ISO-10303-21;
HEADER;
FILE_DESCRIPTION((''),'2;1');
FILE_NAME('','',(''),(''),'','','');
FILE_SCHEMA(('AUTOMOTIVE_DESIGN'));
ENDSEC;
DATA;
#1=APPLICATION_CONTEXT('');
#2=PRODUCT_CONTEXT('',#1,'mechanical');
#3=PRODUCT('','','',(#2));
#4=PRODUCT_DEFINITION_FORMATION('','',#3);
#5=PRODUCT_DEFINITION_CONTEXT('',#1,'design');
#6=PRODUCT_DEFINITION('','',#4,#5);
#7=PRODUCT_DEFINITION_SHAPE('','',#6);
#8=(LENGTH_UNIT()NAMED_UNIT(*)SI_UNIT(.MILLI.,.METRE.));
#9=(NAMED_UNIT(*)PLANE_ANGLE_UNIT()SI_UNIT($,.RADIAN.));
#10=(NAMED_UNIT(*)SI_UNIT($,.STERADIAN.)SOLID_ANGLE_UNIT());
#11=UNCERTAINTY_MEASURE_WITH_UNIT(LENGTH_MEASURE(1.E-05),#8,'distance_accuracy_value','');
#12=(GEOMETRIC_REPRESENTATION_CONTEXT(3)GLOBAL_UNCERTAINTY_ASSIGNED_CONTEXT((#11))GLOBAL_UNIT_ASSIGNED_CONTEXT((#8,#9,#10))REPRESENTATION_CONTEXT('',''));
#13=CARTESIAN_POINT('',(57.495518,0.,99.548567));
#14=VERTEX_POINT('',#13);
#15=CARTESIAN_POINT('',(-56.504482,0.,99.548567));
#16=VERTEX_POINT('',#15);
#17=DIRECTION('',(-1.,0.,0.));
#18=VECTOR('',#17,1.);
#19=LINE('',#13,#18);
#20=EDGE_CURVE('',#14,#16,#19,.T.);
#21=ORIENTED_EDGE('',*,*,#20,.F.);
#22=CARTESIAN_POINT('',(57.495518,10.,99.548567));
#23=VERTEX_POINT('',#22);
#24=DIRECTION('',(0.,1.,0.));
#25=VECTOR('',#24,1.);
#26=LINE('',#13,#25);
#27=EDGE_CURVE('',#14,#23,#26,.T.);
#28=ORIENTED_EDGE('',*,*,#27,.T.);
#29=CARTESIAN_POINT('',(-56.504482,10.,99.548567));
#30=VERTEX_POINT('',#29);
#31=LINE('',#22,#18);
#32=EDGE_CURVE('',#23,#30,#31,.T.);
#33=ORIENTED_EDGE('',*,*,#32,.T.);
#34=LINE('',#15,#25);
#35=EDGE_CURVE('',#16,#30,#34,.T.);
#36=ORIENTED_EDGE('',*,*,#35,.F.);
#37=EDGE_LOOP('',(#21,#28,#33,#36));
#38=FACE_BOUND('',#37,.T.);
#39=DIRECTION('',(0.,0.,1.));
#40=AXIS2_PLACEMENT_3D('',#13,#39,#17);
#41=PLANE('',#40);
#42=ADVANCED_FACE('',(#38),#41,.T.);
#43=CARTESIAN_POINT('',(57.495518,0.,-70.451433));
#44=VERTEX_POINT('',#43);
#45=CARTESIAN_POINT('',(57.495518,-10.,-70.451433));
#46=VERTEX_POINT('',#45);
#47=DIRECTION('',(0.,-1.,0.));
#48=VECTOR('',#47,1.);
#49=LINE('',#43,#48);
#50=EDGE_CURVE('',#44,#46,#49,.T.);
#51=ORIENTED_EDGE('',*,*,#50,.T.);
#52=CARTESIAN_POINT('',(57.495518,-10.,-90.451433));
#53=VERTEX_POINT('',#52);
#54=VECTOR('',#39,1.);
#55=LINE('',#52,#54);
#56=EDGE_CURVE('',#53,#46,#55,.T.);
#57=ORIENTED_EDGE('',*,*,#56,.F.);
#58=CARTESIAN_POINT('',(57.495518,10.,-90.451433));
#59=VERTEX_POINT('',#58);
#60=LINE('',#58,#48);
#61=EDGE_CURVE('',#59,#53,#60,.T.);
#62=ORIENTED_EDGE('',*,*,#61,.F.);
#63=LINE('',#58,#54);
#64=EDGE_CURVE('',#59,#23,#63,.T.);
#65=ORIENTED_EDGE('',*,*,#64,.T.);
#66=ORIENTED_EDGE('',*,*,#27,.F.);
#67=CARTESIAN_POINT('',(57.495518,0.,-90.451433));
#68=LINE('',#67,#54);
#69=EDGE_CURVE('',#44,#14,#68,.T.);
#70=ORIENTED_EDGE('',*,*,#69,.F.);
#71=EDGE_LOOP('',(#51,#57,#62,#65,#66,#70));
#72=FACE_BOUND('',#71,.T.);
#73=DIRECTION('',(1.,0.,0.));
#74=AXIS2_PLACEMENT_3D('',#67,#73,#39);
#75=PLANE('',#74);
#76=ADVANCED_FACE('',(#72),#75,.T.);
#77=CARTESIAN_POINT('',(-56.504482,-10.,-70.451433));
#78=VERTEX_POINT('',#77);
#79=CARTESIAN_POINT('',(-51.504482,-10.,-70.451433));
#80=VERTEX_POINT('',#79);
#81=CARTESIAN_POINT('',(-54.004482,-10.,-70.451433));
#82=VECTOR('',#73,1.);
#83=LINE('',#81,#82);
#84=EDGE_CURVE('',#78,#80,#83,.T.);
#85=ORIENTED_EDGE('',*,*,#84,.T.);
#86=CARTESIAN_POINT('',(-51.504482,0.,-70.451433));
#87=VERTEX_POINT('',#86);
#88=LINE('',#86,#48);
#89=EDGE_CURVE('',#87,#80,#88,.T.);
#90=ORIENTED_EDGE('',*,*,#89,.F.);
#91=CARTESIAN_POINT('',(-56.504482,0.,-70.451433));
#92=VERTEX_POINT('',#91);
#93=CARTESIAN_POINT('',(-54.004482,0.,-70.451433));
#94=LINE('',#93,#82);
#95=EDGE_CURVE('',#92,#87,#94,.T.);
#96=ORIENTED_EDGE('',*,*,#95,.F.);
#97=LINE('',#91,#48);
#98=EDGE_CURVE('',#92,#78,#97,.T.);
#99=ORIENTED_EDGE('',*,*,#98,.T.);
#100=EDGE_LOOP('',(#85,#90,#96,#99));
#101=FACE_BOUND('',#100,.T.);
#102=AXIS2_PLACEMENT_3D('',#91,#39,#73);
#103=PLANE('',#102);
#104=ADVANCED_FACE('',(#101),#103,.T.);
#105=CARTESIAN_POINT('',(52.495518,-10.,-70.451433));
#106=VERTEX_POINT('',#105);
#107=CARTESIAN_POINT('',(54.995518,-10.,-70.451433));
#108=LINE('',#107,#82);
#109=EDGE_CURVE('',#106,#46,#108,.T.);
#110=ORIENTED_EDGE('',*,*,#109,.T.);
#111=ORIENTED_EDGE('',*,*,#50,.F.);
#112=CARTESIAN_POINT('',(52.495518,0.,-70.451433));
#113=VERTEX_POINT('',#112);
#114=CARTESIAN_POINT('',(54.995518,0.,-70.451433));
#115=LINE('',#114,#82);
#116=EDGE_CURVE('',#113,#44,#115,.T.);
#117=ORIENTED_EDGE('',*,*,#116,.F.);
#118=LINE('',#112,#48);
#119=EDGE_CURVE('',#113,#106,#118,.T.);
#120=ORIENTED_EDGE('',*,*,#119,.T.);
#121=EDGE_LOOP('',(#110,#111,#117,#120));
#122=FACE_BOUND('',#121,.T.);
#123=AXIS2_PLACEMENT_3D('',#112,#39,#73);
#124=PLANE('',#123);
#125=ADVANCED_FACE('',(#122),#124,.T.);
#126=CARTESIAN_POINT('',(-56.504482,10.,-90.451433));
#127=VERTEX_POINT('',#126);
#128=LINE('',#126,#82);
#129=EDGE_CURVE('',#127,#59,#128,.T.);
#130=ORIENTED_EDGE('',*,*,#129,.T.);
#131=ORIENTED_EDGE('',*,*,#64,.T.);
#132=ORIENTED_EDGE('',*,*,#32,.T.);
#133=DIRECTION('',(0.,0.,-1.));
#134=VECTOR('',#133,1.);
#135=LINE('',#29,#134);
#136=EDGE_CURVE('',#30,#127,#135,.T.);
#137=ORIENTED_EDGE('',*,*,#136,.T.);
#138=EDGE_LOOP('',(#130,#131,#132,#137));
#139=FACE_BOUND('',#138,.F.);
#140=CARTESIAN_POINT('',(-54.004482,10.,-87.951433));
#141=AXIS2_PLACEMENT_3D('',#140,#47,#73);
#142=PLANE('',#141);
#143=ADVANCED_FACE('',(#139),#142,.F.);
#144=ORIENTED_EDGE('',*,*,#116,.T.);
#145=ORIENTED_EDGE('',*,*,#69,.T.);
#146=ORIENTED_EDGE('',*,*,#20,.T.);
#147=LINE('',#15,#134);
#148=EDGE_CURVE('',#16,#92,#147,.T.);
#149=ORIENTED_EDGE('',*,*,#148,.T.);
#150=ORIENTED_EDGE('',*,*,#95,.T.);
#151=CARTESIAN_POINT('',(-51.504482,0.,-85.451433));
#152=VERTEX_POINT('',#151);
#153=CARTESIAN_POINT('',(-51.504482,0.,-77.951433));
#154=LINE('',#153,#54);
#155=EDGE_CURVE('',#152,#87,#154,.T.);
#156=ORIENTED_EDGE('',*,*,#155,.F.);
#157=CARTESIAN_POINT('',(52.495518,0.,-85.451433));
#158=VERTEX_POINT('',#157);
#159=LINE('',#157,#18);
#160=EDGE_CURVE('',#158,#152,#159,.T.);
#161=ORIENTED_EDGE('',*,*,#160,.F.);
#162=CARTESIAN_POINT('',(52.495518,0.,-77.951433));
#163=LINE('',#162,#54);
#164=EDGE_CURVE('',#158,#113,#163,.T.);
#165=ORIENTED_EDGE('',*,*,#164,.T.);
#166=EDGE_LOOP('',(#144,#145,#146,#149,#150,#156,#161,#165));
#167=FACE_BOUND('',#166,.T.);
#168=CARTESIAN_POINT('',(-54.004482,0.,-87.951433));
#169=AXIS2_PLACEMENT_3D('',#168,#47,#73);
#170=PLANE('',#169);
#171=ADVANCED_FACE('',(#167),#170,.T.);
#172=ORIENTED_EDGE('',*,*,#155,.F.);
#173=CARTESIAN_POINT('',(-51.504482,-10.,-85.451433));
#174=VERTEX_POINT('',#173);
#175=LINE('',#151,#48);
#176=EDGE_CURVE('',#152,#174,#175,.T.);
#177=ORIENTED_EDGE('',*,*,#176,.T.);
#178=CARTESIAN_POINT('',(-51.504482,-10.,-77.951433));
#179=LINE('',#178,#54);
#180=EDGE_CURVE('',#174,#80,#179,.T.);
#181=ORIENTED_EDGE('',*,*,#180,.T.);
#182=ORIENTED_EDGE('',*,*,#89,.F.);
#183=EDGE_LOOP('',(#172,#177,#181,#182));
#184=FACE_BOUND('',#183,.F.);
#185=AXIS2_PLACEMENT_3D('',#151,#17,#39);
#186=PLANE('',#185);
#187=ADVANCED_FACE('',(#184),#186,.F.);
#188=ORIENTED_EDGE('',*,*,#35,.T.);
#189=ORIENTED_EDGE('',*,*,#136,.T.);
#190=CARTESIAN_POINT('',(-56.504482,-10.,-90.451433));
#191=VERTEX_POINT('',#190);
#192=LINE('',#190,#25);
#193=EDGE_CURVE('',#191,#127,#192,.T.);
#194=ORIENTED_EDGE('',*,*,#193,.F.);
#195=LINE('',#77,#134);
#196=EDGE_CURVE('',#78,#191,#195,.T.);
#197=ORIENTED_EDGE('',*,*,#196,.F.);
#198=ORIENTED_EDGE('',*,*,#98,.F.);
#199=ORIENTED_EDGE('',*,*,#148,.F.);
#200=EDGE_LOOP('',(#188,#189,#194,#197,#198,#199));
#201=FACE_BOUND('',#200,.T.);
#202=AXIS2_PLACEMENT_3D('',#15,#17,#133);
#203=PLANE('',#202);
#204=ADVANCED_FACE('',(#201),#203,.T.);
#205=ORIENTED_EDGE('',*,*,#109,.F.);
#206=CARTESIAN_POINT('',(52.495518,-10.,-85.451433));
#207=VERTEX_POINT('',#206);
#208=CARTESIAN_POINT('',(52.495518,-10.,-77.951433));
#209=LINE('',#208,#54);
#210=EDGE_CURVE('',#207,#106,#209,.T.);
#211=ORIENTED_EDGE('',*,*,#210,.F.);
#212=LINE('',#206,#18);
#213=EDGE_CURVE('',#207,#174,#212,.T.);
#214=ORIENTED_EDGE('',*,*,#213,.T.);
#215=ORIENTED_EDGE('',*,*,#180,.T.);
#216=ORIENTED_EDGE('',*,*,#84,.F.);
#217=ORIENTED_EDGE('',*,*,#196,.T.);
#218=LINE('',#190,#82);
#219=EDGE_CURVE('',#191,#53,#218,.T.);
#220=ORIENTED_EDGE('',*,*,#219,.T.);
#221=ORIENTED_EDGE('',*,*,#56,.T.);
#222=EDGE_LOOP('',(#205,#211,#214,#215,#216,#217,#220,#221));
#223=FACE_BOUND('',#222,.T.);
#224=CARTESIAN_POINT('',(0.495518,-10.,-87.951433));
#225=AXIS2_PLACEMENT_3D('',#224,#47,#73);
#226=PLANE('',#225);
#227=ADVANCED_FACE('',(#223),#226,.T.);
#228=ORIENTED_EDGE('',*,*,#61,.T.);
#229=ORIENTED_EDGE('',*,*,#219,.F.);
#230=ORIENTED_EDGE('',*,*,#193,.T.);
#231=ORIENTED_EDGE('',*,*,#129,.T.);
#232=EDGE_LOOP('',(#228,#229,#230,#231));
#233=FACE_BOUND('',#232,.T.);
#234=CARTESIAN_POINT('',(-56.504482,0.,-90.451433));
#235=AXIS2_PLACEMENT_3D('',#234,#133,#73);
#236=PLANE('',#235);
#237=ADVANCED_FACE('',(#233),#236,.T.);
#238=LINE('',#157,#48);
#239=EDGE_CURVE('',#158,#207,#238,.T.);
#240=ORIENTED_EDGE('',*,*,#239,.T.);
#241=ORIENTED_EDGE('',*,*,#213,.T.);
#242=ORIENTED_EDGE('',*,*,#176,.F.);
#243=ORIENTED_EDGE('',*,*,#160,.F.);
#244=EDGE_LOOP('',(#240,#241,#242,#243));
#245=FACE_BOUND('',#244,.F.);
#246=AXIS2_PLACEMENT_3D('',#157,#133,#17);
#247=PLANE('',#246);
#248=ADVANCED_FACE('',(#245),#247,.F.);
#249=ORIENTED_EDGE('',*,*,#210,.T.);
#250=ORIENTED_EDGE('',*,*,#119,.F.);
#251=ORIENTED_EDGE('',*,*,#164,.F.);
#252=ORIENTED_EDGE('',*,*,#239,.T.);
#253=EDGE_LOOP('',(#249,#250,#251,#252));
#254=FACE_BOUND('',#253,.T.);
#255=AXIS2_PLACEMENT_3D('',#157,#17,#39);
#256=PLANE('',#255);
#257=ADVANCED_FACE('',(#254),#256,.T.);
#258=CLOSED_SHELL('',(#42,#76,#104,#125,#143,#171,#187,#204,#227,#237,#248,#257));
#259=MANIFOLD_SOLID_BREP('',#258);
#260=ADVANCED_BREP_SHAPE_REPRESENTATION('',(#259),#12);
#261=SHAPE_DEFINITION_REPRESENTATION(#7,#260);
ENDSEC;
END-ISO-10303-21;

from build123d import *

# Parameters (mm, degrees)
F0_W     = 104
F0_H     = 5
F0_W_2   = 5
F0_H_2   = 15
F1_DEPTH = 10
F2_DEPTH = 10


with BuildPart() as f1:
    # F0 (on Front) → F1 (new body)
    with BuildSketch(Plane.XZ):
        with Locations((0.4955184162, -87.9514326147)):
            Rectangle(F0_W, F0_H)
        with Locations((-54.0044815838, -87.9514326147)):
            Rectangle(F0_W_2, F0_H)
        with Locations((-54.0044815838, -77.9514326147)):
            Rectangle(F0_W_2, F0_H_2)
        with Locations((54.9955184162, -77.9514326147)):
            Rectangle(F0_W_2, F0_H_2)
        with Locations((54.9955184162, -87.9514326147)):
            Rectangle(F0_W_2, F0_H)
    extrude(amount=F1_DEPTH)

    # F0 (on Front) → F2 (join)
    with BuildSketch(Plane.XZ):
        with Locations((-54.0044815838, -87.9514326147)):
            Rectangle(F0_W_2, F0_H)
        with Locations((54.9955184162, -87.9514326147)):
            Rectangle(F0_W_2, F0_H)
        with Locations((0.4955184162, -87.9514326147)):
            Rectangle(F0_W, F0_H)
        with Locations((-54.0044815838, -77.9514326147)):
            Rectangle(F0_W_2, F0_H_2)
        with Locations((54.9955184162, -77.9514326147)):
            Rectangle(F0_W_2, F0_H_2)
        with Locations((0.4955184162, -77.9514326147)):
            Rectangle(F0_W, F0_H_2)
        Polygon((57.4955184162, 99.5485673853), (-56.5044815838, 99.5485673853), (-56.5044815838, -70.4514326147), (-51.5044815838, -70.4514326147), (52.4955184162, -70.4514326147), (57.4955184162, -70.4514326147), align=None)
    extrude(amount=-F2_DEPTH)


solid = f1.part
